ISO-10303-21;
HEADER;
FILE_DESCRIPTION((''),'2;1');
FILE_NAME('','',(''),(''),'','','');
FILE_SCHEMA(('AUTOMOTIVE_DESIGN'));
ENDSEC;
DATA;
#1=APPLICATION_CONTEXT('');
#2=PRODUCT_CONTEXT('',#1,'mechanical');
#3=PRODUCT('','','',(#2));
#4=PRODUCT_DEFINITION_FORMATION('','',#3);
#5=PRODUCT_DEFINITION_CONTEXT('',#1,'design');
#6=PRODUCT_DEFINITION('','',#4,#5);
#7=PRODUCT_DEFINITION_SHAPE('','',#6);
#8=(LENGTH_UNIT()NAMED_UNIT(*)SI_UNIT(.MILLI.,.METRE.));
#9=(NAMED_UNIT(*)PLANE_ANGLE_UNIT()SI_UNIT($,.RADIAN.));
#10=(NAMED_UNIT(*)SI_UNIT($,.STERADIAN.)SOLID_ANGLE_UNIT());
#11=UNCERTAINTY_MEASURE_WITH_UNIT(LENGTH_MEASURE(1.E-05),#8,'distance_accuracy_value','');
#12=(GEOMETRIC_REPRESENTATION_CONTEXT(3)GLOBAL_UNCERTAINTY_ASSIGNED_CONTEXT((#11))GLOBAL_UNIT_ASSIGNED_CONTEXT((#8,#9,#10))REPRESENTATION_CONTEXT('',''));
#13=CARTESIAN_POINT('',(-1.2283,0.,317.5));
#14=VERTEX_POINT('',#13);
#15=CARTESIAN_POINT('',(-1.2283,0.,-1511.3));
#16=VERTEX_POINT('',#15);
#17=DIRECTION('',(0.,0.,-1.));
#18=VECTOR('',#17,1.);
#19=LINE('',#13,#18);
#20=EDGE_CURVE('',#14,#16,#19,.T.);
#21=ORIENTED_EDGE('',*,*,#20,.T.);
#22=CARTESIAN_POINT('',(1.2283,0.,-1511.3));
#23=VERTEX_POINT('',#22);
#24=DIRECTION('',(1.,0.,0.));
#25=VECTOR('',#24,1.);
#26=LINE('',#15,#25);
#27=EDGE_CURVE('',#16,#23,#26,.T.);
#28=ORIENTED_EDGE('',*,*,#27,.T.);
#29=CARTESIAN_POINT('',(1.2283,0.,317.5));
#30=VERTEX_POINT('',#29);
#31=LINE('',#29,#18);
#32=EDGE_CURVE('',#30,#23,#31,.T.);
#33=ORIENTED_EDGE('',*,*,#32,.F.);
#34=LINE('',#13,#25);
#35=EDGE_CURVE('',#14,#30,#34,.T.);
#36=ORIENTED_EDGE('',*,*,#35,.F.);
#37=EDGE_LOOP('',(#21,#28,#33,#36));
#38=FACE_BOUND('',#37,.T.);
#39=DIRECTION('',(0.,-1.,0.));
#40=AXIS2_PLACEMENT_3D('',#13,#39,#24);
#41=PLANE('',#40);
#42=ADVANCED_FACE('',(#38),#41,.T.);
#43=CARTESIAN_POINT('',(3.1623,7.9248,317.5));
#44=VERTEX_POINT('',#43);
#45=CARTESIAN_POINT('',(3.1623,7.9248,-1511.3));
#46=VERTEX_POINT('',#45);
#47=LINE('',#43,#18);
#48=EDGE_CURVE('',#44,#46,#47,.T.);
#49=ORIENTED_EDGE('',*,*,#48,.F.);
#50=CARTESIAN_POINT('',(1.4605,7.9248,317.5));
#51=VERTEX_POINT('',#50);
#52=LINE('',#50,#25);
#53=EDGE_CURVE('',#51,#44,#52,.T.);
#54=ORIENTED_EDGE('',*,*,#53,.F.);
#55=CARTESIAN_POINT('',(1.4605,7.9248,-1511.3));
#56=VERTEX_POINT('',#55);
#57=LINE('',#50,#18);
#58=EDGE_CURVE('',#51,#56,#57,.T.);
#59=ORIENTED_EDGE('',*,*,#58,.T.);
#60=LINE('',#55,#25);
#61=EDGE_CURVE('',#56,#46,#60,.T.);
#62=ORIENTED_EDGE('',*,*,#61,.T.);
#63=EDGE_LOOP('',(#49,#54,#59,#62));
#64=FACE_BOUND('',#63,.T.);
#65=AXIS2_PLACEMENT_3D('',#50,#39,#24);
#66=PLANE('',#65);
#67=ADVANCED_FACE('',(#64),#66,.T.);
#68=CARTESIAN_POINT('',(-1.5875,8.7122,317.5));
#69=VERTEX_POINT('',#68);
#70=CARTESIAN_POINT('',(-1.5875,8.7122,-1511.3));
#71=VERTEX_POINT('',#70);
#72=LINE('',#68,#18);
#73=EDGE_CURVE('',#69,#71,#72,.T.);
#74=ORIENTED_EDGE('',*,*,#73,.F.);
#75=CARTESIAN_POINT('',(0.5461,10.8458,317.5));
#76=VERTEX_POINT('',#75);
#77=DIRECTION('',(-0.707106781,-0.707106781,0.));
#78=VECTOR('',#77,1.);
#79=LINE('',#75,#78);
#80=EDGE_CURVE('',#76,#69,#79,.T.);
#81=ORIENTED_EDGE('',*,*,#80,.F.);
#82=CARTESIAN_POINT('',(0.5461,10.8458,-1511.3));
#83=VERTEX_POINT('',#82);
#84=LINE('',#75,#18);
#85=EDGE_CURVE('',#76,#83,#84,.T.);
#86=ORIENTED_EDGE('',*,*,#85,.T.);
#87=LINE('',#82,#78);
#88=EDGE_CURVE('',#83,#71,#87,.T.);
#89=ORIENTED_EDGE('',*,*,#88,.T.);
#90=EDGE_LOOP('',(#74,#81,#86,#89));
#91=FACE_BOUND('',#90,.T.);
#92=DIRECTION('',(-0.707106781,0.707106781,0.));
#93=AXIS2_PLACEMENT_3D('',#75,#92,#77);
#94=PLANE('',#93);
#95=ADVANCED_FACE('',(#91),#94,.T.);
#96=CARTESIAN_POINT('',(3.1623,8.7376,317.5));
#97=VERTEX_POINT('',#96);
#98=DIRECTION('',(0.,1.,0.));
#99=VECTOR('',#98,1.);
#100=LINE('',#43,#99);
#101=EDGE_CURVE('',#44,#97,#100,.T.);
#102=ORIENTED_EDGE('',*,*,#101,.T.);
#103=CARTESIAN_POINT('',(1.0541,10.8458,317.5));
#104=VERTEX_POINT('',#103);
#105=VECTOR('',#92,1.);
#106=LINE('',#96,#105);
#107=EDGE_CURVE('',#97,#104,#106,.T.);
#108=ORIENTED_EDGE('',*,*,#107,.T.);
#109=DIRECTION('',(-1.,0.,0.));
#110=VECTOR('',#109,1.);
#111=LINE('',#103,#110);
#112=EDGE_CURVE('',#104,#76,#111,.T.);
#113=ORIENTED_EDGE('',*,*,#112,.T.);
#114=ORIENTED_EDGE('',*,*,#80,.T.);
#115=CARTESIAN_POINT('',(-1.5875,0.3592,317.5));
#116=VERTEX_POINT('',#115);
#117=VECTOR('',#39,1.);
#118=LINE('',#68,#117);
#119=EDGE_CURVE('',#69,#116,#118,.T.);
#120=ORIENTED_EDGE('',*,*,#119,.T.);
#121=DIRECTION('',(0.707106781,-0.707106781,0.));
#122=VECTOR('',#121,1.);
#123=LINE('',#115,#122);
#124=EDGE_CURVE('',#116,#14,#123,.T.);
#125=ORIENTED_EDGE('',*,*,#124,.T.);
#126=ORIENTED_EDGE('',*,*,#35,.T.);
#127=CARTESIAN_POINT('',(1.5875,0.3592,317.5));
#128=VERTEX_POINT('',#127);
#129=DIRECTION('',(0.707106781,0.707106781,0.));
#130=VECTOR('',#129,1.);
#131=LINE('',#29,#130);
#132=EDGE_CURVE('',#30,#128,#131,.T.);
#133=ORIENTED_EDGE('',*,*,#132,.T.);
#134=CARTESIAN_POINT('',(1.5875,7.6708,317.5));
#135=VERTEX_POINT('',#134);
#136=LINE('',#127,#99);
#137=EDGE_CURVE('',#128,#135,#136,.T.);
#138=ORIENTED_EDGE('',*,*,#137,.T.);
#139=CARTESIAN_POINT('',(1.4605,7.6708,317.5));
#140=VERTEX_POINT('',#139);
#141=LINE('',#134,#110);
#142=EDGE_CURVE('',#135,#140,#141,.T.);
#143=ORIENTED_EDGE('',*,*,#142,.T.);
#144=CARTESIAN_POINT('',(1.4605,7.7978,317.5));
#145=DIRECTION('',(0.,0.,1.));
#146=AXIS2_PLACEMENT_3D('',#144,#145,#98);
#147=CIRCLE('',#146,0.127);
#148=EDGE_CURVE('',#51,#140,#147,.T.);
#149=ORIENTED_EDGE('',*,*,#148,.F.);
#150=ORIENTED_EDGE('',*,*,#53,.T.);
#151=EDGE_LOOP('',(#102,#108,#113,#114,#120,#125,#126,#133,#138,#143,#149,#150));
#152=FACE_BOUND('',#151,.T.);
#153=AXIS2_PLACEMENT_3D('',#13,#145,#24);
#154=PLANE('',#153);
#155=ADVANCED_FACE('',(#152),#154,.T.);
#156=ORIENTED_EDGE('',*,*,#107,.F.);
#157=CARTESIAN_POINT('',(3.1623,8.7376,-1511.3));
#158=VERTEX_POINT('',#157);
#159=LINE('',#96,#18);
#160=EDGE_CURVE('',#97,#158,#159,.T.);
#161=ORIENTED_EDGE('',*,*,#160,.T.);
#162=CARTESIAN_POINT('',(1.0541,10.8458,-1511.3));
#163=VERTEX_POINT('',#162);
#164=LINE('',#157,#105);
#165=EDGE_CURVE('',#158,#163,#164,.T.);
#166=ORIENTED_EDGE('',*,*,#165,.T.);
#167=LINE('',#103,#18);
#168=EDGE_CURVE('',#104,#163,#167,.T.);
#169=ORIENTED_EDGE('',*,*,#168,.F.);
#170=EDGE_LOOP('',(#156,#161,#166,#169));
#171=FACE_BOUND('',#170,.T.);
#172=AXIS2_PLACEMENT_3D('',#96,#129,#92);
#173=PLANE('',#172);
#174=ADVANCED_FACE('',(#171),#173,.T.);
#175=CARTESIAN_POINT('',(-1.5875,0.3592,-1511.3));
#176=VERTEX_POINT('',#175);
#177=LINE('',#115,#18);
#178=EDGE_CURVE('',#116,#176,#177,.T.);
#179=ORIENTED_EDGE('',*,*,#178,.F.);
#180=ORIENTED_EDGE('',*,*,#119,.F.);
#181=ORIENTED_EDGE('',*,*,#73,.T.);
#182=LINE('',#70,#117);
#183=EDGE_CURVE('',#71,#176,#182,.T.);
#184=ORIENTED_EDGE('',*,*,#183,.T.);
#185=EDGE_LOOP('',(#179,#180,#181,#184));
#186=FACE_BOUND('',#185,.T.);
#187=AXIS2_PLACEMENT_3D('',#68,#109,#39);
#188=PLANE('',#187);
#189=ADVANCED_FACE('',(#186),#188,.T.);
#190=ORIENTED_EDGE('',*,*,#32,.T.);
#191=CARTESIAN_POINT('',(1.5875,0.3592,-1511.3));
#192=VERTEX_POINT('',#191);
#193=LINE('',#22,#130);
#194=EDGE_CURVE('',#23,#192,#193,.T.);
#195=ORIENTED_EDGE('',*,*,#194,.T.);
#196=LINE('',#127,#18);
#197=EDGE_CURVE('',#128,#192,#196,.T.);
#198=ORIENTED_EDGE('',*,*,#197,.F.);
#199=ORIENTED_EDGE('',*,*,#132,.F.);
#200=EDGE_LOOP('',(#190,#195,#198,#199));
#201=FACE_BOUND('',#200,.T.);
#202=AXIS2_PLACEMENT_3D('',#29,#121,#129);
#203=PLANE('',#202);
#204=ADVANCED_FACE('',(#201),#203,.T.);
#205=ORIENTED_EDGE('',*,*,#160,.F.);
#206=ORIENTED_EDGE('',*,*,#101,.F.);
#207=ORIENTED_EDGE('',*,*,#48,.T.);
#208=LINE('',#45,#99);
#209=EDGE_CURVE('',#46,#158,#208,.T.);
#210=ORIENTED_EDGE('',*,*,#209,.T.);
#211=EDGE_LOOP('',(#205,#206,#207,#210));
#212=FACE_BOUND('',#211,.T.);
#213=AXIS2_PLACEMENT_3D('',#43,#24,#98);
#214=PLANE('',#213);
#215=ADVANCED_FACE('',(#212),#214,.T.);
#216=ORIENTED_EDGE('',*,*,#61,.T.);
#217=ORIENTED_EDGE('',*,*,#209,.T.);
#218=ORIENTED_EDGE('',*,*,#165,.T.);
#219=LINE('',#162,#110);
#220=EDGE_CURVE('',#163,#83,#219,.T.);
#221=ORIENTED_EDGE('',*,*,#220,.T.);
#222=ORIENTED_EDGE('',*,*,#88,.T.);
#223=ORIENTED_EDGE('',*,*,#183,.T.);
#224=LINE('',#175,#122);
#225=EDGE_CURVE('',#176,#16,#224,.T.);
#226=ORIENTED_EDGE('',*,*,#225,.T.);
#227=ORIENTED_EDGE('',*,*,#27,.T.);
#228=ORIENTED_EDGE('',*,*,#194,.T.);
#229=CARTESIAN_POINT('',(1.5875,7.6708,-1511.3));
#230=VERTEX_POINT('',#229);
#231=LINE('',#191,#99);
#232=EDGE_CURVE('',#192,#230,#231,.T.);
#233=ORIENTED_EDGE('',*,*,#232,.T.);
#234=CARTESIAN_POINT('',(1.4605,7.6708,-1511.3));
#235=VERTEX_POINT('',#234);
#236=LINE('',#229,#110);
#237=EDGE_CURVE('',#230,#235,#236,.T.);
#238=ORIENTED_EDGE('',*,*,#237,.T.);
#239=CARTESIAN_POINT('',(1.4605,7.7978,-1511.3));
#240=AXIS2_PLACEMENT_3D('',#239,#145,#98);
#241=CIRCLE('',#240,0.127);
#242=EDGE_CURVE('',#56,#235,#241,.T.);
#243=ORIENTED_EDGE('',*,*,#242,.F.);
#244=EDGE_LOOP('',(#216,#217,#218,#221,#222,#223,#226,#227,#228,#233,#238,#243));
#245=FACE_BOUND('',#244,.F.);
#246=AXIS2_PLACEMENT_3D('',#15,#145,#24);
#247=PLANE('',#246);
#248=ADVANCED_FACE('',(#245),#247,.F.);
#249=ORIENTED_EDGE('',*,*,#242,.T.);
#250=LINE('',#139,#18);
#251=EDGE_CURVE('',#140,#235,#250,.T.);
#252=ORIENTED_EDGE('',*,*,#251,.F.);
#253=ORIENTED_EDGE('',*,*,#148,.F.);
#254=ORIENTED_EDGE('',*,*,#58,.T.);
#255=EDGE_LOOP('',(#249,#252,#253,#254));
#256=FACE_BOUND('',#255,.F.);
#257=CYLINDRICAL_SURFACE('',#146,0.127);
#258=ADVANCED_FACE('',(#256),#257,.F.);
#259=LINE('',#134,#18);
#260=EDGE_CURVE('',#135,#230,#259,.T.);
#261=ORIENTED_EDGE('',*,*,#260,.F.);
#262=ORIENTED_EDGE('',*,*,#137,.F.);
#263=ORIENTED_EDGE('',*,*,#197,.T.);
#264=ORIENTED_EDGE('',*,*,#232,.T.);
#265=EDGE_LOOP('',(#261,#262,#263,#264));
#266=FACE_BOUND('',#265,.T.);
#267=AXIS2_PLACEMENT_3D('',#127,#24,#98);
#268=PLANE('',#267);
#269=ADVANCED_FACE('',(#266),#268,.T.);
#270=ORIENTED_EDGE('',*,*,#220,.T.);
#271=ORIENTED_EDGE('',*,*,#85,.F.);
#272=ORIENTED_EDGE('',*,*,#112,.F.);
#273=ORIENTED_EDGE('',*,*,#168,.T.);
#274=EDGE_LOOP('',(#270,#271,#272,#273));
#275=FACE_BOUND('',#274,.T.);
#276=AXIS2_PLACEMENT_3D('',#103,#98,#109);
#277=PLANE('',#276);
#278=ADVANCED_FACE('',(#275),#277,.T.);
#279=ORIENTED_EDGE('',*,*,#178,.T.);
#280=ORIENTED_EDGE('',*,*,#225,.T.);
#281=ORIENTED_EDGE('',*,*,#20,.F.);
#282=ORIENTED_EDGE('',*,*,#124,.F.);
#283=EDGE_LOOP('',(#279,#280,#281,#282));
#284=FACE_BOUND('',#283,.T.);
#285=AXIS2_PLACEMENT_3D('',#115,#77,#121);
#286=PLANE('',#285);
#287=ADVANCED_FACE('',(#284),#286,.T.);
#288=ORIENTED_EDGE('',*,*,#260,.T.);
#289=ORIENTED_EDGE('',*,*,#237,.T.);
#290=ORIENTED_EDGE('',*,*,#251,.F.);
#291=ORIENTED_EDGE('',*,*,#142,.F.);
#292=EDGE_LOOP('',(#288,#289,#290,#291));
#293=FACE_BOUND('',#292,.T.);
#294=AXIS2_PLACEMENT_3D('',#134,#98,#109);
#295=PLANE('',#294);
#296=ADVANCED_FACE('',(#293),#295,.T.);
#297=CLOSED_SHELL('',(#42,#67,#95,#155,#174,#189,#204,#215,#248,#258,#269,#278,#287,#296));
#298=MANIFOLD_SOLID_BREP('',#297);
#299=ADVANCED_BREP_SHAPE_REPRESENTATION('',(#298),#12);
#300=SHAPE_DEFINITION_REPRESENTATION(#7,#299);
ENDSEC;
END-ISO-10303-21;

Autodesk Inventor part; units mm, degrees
ref_plane "YZ Plane" through (0, 0, 0) normal (1, 0, 0) x (0, 1, 0)
ref_plane "XZ Plane" through (0, 0, 0) normal (0, 1, 0) x (-1, 0, 0)
ref_plane "Work Plane1" through (-1.2283, 0, 317.5) normal (0, 0, 1) x (1, 0, 0)
sketch "Sketch1" plane through (-1.2283, 0, 317.5) normal (0, 0, 1) x (1, 0, 0)
  line L0 (-0.3592, 8.7122) -> (-0.3592, 0.3592) projected
  line L1 (-0.3592, 0.3592) -> (0, 0) projected
  line L2 (0, 0) -> (2.4566, 0) projected
  line L3 (2.4566, 0) -> (2.8158, 0.3592) projected
  line L4 (2.8158, 0.3592) -> (2.8158, 7.6708) projected
  line L5 (2.8158, 7.6708) -> (2.6888, 7.6708) projected
  arc A0 (2.6888, 7.9248) -> (2.6888, 7.6708) centre (2.6888, 7.7978) ccw projected
  line L6 (2.6888, 7.9248) -> (4.3906, 7.9248) projected
  line L7 (4.3906, 7.9248) -> (4.3906, 8.7376) projected
  line L8 (4.3906, 8.7376) -> (2.2824, 10.8458) projected
  line L9 (2.2824, 10.8458) -> (1.7744, 10.8458) projected
  line L10 (1.7744, 10.8458) -> (-0.3592, 8.7122) projected
  point P0 (1.2283, 0)
extrude "Extrusion1" add sketch "Sketch1" against normal blind 1828.8
properties part number "vee-track-x-01"
